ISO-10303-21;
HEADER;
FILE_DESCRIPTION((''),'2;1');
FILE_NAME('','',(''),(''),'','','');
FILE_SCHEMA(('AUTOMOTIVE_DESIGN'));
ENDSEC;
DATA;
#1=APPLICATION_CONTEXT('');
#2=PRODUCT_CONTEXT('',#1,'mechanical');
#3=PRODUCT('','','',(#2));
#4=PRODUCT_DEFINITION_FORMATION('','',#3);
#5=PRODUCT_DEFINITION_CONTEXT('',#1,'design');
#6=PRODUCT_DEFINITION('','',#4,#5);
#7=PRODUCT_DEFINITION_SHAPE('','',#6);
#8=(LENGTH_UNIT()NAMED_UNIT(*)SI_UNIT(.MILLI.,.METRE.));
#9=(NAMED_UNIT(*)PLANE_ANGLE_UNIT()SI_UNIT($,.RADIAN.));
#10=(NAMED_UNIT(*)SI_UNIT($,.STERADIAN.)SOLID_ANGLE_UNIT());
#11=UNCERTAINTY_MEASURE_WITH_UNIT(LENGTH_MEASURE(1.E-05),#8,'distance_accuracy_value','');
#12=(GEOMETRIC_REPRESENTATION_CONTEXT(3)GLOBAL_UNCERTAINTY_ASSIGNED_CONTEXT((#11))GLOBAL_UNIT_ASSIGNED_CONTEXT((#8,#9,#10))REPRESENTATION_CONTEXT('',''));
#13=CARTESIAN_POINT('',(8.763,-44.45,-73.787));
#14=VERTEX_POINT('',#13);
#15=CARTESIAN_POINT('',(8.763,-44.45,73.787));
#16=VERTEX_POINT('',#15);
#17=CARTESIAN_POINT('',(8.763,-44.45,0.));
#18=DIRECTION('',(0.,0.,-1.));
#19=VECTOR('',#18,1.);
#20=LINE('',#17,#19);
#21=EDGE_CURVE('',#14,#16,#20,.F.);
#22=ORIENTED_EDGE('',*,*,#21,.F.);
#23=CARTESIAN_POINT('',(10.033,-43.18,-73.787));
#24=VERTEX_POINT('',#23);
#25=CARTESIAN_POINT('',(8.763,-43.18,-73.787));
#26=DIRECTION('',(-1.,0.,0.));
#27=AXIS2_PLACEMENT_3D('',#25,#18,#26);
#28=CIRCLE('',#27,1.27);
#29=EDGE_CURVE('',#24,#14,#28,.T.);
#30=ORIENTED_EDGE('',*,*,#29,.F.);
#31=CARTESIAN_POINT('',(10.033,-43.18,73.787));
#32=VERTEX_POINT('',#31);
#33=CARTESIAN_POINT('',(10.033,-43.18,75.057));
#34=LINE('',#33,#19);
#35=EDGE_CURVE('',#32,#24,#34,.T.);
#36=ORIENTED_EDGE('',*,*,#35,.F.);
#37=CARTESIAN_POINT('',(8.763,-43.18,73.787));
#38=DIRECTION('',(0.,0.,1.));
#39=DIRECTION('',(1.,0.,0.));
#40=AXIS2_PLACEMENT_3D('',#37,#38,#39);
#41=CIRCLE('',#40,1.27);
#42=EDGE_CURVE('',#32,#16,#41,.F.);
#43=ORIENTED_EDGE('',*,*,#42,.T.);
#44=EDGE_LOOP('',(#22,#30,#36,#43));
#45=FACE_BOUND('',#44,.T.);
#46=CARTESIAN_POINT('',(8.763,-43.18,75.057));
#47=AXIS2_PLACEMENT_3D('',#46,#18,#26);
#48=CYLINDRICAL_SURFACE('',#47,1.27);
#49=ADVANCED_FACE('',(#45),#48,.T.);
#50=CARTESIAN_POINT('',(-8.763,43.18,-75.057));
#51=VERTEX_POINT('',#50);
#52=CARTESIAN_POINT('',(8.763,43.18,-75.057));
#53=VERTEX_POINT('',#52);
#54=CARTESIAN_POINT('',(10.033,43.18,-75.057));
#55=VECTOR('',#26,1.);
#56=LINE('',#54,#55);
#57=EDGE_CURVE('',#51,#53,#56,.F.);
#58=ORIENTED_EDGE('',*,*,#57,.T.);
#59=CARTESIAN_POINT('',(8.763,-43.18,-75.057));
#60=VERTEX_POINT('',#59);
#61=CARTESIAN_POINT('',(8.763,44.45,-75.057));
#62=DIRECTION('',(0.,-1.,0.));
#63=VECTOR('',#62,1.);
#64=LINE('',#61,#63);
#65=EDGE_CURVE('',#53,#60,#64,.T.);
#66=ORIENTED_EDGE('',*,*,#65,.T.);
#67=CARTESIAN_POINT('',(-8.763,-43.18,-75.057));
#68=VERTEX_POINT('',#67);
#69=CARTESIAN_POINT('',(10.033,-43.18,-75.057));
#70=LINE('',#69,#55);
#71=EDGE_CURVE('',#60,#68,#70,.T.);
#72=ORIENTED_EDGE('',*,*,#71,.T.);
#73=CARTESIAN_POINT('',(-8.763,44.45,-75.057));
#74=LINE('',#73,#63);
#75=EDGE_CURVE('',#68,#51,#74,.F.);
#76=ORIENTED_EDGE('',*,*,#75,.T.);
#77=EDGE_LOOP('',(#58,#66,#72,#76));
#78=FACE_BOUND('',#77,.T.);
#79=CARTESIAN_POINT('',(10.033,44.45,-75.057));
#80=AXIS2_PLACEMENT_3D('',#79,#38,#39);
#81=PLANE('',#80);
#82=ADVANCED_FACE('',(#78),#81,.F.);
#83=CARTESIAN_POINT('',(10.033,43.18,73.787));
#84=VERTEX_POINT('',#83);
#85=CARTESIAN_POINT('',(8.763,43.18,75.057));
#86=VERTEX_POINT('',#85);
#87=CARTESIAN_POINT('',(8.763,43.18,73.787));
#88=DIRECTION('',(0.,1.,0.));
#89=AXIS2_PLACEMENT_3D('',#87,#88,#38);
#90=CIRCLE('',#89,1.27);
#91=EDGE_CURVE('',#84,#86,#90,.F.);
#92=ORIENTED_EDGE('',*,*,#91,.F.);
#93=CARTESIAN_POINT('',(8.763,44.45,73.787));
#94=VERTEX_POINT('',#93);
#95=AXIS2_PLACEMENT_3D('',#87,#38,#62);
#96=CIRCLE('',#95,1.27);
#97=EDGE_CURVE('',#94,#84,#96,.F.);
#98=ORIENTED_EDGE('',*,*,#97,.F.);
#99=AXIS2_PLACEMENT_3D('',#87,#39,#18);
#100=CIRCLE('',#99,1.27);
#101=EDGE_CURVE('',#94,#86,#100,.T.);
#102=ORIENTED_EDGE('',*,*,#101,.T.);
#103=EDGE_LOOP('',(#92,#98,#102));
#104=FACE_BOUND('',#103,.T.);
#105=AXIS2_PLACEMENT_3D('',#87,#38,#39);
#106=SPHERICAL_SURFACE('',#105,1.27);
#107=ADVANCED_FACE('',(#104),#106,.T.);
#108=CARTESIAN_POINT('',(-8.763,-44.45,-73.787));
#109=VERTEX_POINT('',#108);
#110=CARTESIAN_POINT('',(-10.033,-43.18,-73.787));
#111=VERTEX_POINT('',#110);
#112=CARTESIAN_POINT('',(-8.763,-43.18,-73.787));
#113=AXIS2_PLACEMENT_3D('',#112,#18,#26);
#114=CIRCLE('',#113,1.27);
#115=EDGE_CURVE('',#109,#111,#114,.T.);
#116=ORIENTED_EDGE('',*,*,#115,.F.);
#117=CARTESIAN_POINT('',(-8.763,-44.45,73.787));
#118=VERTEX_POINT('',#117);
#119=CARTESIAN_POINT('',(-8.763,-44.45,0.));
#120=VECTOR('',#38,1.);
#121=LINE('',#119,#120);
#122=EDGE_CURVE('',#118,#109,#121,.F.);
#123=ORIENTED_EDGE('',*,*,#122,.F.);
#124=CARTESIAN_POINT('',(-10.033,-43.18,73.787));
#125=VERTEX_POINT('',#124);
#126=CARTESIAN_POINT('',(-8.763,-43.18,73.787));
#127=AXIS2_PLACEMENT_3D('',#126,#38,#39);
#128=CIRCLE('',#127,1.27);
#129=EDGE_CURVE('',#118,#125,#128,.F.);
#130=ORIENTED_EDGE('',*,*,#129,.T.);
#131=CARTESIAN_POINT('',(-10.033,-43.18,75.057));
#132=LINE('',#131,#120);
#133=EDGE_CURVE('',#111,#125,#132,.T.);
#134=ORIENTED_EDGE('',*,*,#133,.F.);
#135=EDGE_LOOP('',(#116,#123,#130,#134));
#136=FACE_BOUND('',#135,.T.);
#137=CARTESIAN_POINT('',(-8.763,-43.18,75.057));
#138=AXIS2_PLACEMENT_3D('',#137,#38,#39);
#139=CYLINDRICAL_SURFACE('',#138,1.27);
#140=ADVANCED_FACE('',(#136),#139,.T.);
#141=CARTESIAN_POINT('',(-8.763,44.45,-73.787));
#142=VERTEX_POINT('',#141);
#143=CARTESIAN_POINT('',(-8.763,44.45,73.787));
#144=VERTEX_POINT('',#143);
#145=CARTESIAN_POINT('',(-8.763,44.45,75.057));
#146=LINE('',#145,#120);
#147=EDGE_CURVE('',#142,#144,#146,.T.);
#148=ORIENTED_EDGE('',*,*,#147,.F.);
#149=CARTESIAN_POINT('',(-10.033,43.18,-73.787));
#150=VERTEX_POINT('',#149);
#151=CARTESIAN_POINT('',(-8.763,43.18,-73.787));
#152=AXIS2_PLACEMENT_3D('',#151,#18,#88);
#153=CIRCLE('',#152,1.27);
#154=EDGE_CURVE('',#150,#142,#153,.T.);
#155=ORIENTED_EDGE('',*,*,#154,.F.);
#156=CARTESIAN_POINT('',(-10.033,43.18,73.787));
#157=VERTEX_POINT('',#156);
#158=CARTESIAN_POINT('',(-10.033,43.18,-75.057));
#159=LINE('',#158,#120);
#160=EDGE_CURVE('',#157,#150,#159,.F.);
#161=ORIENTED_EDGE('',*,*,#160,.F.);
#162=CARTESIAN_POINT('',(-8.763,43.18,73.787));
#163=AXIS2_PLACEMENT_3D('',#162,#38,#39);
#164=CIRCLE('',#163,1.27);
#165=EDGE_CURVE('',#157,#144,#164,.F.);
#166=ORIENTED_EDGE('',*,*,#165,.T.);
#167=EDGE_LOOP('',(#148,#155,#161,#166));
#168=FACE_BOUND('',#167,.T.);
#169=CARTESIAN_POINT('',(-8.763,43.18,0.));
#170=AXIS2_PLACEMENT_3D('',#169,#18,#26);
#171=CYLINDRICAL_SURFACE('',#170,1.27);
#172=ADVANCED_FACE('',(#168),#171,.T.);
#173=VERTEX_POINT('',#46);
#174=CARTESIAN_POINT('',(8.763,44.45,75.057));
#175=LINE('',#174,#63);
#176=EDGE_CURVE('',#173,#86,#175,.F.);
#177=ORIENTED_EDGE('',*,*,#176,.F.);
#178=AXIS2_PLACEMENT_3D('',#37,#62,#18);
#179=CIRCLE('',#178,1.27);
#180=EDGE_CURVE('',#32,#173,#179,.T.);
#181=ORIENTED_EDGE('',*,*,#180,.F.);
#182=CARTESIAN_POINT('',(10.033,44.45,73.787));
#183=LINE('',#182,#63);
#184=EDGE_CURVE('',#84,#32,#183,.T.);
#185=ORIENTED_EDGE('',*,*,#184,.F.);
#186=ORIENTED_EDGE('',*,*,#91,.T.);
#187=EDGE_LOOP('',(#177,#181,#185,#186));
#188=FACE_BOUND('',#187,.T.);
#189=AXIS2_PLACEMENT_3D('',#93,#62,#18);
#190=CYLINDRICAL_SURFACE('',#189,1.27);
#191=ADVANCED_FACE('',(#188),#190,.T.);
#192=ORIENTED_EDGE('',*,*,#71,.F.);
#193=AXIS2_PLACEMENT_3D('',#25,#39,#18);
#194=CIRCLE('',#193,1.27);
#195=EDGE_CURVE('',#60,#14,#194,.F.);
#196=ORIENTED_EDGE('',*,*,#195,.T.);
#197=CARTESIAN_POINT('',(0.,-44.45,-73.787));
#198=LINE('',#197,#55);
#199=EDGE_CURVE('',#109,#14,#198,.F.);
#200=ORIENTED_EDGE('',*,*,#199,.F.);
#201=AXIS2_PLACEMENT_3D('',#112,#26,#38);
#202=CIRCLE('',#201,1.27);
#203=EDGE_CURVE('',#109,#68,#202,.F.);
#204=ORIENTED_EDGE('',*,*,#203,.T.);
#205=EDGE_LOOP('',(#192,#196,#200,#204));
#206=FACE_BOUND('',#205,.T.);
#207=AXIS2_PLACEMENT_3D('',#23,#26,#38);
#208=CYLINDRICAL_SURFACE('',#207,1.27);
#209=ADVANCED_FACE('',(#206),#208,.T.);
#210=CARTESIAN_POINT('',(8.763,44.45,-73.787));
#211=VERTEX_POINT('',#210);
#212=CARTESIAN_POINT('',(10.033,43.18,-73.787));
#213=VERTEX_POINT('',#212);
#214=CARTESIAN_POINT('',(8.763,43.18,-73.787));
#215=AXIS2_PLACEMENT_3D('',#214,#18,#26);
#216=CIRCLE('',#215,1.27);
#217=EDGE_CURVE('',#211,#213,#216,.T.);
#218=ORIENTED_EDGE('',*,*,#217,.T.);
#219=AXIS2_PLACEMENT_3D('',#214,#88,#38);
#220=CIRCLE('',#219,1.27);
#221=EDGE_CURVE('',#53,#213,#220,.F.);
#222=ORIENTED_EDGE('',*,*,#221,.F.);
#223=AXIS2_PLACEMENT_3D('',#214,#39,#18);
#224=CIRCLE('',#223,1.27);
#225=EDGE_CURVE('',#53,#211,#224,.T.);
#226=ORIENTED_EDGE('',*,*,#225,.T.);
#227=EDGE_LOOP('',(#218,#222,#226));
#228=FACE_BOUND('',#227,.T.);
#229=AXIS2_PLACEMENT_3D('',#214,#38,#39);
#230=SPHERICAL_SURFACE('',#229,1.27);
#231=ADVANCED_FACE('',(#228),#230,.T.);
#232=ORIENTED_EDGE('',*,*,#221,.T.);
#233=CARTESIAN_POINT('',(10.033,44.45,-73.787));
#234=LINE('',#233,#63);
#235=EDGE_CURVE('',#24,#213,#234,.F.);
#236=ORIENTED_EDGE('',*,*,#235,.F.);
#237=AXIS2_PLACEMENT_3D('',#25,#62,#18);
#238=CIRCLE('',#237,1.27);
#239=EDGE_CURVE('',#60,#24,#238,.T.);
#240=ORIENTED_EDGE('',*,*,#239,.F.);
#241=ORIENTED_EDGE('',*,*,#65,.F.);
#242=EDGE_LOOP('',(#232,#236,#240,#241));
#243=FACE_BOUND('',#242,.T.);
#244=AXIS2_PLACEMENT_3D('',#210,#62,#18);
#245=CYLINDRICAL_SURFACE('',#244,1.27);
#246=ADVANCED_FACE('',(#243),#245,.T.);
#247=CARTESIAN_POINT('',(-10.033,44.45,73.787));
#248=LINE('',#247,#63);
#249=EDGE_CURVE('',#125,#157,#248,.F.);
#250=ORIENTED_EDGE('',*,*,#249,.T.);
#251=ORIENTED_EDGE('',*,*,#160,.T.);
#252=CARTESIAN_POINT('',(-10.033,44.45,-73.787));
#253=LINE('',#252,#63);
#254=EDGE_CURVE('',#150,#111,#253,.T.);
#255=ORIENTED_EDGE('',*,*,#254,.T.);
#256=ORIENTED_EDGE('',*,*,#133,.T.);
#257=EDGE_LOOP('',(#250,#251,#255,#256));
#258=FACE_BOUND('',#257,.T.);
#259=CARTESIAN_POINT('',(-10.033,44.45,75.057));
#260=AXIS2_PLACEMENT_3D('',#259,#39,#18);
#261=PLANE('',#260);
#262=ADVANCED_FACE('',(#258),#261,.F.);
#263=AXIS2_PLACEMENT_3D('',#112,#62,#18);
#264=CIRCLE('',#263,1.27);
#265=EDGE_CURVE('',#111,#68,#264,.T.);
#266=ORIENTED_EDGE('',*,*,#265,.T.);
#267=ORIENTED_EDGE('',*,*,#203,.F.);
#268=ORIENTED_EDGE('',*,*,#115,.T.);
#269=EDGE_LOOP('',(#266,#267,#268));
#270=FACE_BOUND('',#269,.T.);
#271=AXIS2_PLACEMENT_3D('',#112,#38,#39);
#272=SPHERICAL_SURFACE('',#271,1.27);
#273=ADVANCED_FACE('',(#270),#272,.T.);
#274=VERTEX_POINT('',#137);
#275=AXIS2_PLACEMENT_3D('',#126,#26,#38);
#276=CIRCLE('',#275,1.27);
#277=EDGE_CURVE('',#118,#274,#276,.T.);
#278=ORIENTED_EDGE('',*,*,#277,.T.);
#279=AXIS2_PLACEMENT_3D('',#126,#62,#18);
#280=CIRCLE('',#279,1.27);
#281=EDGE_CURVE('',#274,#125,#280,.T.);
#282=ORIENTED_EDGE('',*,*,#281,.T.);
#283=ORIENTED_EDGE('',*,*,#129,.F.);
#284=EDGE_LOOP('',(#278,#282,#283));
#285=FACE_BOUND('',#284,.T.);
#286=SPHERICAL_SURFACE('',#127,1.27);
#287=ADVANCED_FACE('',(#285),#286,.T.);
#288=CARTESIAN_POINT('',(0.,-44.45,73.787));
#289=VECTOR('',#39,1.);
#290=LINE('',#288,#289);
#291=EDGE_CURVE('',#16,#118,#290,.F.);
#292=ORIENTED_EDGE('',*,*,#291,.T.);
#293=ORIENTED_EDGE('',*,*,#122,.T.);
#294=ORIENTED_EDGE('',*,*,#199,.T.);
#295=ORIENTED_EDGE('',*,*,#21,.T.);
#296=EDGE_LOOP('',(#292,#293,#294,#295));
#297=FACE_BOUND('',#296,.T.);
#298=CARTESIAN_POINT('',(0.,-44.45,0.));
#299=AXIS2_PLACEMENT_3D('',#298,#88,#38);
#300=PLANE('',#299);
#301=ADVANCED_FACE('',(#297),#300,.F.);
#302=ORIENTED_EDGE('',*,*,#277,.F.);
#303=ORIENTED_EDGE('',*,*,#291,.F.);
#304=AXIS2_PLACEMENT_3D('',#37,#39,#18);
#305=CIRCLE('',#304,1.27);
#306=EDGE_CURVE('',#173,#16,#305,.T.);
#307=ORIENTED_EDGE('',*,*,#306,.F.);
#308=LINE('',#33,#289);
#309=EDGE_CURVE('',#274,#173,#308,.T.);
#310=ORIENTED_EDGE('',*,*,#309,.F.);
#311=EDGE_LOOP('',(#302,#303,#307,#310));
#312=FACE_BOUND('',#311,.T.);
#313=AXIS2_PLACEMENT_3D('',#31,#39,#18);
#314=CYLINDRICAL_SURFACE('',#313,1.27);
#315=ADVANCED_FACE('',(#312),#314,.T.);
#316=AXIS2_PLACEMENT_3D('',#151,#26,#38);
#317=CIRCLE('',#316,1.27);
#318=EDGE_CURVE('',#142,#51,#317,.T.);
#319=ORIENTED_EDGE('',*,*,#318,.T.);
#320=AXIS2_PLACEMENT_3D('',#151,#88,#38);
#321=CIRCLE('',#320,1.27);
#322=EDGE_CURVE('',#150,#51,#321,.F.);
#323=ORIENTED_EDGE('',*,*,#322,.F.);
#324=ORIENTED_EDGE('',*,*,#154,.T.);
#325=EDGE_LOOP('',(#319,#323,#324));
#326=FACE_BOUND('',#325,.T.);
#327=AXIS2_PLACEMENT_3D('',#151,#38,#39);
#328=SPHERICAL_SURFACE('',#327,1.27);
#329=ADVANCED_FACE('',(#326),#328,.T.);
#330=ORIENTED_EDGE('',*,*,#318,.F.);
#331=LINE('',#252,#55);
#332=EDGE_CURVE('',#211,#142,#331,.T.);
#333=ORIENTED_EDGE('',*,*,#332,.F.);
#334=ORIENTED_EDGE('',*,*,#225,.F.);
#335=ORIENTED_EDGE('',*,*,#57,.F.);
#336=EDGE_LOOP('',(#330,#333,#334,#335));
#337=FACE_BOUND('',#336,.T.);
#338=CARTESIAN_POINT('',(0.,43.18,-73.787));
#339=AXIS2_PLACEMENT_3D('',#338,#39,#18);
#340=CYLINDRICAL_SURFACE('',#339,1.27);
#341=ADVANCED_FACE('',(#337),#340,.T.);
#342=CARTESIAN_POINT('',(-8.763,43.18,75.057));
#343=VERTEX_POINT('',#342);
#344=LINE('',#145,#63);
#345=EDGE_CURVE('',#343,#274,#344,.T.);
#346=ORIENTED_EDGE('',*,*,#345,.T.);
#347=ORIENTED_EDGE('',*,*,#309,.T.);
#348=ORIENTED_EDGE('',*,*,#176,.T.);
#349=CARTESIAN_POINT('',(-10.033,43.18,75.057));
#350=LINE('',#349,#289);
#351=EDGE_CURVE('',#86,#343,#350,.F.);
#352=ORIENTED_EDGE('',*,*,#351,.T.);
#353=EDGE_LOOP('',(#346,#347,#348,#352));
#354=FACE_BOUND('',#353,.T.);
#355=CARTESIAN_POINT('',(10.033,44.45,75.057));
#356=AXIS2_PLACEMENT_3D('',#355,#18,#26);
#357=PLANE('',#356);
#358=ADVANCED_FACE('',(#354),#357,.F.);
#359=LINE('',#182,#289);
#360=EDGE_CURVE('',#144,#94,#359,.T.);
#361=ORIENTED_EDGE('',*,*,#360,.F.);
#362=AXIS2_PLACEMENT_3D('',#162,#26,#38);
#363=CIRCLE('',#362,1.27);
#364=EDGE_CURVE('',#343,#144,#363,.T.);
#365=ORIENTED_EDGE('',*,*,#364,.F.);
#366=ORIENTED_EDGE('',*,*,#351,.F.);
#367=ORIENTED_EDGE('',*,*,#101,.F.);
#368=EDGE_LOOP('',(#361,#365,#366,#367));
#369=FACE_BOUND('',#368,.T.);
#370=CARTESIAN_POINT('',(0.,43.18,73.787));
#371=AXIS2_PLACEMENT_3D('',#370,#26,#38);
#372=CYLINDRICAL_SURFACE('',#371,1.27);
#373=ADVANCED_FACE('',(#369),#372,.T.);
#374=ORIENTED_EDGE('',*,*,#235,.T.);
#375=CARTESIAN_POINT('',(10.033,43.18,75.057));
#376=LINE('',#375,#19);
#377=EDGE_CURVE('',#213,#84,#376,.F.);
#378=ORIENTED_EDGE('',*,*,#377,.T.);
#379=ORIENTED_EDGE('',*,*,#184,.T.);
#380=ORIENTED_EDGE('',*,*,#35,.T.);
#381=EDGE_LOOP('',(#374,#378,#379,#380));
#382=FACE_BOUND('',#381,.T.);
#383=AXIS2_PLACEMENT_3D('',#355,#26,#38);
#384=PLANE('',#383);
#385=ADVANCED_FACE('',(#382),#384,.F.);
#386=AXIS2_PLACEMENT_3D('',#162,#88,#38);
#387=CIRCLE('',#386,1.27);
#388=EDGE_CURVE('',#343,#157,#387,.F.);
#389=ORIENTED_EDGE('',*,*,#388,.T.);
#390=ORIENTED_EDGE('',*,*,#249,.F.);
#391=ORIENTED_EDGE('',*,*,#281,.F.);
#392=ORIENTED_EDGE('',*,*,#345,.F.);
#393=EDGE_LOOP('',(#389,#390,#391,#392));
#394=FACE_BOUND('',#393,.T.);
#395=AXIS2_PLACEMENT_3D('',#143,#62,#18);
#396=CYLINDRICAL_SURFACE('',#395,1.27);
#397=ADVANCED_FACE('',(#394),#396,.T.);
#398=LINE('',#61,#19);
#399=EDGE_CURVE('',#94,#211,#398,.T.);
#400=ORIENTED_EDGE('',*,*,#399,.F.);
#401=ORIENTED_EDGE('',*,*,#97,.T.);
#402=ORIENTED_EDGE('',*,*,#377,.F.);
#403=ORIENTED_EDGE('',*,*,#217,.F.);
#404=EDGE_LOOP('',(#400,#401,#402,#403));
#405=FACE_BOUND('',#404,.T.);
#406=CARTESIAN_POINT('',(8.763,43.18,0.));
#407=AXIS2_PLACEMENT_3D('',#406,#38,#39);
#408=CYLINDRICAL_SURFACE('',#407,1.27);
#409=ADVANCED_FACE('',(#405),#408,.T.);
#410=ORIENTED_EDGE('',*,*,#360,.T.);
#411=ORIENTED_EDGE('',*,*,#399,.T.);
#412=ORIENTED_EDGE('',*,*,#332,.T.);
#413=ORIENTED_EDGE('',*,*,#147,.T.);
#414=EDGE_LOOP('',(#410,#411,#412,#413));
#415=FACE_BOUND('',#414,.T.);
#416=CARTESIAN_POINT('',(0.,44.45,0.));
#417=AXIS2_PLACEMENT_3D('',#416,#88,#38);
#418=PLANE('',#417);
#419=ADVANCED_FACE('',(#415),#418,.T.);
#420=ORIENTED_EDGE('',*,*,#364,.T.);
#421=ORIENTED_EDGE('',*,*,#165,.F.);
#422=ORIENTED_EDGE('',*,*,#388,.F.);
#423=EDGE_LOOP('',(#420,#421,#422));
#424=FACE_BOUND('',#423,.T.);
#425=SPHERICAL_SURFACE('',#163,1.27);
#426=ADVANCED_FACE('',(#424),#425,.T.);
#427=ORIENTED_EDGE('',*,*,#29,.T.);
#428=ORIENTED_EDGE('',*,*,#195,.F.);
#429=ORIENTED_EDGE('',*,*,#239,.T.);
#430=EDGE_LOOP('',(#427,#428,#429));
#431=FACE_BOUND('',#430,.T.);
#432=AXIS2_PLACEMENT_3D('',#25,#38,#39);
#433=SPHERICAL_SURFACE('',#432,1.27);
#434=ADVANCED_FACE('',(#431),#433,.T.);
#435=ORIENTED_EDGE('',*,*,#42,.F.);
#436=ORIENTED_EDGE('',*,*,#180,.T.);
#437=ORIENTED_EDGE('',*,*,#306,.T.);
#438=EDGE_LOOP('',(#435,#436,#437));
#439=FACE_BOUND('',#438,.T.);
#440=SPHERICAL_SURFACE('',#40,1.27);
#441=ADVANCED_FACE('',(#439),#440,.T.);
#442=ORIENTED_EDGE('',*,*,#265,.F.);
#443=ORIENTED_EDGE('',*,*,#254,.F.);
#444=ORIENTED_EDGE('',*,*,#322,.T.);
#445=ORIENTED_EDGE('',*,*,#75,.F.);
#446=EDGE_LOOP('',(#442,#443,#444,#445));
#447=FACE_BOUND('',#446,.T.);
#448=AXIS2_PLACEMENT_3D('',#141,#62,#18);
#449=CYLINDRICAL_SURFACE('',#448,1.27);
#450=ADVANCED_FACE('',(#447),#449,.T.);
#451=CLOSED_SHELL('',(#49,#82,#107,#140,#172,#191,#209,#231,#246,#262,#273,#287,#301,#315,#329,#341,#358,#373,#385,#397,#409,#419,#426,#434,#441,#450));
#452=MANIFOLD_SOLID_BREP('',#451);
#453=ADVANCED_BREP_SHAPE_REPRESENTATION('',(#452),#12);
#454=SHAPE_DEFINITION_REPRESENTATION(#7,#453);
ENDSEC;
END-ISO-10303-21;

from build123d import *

# Parameters (mm, degrees)
SKETCH1_W           = 20.066
SKETCH1_H           = 150.114
BOSS_EXTRUDE1_DEPTH = 44.45
FILLET1_R           = 1.27


with BuildPart() as part:
    # Sketch1 → Boss-Extrude1 (new body, symmetric)
    with BuildSketch(Plane(origin=(0, 0, 0), x_dir=(1, 0, 0), z_dir=(0, 1, 0))):
        Rectangle(SKETCH1_W, SKETCH1_H)
    extrude(amount=BOSS_EXTRUDE1_DEPTH, both=True)

    # Fillet1
    fillet1_edges = [part.edges().sort_by_distance(p)[0] for p in [
        (10.033, 44.45, 0),
        (0, 44.45, -75.057),
        (-10.033, 44.45, 0),
        (0, -44.45, -75.057),
        (10.033, -44.45, 0),
        (0, -44.45, 75.057),
        (-10.033, -44.45, 0),
        (-10.033, 0, -75.057),
        (10.033, 0, -75.057),
        (10.033, 0, 75.057),
        (-10.033, 0, 75.057),
        (0, 44.45, 75.057),
    ]]
    fillet(fillet1_edges, radius=FILLET1_R)


solid = part.part
